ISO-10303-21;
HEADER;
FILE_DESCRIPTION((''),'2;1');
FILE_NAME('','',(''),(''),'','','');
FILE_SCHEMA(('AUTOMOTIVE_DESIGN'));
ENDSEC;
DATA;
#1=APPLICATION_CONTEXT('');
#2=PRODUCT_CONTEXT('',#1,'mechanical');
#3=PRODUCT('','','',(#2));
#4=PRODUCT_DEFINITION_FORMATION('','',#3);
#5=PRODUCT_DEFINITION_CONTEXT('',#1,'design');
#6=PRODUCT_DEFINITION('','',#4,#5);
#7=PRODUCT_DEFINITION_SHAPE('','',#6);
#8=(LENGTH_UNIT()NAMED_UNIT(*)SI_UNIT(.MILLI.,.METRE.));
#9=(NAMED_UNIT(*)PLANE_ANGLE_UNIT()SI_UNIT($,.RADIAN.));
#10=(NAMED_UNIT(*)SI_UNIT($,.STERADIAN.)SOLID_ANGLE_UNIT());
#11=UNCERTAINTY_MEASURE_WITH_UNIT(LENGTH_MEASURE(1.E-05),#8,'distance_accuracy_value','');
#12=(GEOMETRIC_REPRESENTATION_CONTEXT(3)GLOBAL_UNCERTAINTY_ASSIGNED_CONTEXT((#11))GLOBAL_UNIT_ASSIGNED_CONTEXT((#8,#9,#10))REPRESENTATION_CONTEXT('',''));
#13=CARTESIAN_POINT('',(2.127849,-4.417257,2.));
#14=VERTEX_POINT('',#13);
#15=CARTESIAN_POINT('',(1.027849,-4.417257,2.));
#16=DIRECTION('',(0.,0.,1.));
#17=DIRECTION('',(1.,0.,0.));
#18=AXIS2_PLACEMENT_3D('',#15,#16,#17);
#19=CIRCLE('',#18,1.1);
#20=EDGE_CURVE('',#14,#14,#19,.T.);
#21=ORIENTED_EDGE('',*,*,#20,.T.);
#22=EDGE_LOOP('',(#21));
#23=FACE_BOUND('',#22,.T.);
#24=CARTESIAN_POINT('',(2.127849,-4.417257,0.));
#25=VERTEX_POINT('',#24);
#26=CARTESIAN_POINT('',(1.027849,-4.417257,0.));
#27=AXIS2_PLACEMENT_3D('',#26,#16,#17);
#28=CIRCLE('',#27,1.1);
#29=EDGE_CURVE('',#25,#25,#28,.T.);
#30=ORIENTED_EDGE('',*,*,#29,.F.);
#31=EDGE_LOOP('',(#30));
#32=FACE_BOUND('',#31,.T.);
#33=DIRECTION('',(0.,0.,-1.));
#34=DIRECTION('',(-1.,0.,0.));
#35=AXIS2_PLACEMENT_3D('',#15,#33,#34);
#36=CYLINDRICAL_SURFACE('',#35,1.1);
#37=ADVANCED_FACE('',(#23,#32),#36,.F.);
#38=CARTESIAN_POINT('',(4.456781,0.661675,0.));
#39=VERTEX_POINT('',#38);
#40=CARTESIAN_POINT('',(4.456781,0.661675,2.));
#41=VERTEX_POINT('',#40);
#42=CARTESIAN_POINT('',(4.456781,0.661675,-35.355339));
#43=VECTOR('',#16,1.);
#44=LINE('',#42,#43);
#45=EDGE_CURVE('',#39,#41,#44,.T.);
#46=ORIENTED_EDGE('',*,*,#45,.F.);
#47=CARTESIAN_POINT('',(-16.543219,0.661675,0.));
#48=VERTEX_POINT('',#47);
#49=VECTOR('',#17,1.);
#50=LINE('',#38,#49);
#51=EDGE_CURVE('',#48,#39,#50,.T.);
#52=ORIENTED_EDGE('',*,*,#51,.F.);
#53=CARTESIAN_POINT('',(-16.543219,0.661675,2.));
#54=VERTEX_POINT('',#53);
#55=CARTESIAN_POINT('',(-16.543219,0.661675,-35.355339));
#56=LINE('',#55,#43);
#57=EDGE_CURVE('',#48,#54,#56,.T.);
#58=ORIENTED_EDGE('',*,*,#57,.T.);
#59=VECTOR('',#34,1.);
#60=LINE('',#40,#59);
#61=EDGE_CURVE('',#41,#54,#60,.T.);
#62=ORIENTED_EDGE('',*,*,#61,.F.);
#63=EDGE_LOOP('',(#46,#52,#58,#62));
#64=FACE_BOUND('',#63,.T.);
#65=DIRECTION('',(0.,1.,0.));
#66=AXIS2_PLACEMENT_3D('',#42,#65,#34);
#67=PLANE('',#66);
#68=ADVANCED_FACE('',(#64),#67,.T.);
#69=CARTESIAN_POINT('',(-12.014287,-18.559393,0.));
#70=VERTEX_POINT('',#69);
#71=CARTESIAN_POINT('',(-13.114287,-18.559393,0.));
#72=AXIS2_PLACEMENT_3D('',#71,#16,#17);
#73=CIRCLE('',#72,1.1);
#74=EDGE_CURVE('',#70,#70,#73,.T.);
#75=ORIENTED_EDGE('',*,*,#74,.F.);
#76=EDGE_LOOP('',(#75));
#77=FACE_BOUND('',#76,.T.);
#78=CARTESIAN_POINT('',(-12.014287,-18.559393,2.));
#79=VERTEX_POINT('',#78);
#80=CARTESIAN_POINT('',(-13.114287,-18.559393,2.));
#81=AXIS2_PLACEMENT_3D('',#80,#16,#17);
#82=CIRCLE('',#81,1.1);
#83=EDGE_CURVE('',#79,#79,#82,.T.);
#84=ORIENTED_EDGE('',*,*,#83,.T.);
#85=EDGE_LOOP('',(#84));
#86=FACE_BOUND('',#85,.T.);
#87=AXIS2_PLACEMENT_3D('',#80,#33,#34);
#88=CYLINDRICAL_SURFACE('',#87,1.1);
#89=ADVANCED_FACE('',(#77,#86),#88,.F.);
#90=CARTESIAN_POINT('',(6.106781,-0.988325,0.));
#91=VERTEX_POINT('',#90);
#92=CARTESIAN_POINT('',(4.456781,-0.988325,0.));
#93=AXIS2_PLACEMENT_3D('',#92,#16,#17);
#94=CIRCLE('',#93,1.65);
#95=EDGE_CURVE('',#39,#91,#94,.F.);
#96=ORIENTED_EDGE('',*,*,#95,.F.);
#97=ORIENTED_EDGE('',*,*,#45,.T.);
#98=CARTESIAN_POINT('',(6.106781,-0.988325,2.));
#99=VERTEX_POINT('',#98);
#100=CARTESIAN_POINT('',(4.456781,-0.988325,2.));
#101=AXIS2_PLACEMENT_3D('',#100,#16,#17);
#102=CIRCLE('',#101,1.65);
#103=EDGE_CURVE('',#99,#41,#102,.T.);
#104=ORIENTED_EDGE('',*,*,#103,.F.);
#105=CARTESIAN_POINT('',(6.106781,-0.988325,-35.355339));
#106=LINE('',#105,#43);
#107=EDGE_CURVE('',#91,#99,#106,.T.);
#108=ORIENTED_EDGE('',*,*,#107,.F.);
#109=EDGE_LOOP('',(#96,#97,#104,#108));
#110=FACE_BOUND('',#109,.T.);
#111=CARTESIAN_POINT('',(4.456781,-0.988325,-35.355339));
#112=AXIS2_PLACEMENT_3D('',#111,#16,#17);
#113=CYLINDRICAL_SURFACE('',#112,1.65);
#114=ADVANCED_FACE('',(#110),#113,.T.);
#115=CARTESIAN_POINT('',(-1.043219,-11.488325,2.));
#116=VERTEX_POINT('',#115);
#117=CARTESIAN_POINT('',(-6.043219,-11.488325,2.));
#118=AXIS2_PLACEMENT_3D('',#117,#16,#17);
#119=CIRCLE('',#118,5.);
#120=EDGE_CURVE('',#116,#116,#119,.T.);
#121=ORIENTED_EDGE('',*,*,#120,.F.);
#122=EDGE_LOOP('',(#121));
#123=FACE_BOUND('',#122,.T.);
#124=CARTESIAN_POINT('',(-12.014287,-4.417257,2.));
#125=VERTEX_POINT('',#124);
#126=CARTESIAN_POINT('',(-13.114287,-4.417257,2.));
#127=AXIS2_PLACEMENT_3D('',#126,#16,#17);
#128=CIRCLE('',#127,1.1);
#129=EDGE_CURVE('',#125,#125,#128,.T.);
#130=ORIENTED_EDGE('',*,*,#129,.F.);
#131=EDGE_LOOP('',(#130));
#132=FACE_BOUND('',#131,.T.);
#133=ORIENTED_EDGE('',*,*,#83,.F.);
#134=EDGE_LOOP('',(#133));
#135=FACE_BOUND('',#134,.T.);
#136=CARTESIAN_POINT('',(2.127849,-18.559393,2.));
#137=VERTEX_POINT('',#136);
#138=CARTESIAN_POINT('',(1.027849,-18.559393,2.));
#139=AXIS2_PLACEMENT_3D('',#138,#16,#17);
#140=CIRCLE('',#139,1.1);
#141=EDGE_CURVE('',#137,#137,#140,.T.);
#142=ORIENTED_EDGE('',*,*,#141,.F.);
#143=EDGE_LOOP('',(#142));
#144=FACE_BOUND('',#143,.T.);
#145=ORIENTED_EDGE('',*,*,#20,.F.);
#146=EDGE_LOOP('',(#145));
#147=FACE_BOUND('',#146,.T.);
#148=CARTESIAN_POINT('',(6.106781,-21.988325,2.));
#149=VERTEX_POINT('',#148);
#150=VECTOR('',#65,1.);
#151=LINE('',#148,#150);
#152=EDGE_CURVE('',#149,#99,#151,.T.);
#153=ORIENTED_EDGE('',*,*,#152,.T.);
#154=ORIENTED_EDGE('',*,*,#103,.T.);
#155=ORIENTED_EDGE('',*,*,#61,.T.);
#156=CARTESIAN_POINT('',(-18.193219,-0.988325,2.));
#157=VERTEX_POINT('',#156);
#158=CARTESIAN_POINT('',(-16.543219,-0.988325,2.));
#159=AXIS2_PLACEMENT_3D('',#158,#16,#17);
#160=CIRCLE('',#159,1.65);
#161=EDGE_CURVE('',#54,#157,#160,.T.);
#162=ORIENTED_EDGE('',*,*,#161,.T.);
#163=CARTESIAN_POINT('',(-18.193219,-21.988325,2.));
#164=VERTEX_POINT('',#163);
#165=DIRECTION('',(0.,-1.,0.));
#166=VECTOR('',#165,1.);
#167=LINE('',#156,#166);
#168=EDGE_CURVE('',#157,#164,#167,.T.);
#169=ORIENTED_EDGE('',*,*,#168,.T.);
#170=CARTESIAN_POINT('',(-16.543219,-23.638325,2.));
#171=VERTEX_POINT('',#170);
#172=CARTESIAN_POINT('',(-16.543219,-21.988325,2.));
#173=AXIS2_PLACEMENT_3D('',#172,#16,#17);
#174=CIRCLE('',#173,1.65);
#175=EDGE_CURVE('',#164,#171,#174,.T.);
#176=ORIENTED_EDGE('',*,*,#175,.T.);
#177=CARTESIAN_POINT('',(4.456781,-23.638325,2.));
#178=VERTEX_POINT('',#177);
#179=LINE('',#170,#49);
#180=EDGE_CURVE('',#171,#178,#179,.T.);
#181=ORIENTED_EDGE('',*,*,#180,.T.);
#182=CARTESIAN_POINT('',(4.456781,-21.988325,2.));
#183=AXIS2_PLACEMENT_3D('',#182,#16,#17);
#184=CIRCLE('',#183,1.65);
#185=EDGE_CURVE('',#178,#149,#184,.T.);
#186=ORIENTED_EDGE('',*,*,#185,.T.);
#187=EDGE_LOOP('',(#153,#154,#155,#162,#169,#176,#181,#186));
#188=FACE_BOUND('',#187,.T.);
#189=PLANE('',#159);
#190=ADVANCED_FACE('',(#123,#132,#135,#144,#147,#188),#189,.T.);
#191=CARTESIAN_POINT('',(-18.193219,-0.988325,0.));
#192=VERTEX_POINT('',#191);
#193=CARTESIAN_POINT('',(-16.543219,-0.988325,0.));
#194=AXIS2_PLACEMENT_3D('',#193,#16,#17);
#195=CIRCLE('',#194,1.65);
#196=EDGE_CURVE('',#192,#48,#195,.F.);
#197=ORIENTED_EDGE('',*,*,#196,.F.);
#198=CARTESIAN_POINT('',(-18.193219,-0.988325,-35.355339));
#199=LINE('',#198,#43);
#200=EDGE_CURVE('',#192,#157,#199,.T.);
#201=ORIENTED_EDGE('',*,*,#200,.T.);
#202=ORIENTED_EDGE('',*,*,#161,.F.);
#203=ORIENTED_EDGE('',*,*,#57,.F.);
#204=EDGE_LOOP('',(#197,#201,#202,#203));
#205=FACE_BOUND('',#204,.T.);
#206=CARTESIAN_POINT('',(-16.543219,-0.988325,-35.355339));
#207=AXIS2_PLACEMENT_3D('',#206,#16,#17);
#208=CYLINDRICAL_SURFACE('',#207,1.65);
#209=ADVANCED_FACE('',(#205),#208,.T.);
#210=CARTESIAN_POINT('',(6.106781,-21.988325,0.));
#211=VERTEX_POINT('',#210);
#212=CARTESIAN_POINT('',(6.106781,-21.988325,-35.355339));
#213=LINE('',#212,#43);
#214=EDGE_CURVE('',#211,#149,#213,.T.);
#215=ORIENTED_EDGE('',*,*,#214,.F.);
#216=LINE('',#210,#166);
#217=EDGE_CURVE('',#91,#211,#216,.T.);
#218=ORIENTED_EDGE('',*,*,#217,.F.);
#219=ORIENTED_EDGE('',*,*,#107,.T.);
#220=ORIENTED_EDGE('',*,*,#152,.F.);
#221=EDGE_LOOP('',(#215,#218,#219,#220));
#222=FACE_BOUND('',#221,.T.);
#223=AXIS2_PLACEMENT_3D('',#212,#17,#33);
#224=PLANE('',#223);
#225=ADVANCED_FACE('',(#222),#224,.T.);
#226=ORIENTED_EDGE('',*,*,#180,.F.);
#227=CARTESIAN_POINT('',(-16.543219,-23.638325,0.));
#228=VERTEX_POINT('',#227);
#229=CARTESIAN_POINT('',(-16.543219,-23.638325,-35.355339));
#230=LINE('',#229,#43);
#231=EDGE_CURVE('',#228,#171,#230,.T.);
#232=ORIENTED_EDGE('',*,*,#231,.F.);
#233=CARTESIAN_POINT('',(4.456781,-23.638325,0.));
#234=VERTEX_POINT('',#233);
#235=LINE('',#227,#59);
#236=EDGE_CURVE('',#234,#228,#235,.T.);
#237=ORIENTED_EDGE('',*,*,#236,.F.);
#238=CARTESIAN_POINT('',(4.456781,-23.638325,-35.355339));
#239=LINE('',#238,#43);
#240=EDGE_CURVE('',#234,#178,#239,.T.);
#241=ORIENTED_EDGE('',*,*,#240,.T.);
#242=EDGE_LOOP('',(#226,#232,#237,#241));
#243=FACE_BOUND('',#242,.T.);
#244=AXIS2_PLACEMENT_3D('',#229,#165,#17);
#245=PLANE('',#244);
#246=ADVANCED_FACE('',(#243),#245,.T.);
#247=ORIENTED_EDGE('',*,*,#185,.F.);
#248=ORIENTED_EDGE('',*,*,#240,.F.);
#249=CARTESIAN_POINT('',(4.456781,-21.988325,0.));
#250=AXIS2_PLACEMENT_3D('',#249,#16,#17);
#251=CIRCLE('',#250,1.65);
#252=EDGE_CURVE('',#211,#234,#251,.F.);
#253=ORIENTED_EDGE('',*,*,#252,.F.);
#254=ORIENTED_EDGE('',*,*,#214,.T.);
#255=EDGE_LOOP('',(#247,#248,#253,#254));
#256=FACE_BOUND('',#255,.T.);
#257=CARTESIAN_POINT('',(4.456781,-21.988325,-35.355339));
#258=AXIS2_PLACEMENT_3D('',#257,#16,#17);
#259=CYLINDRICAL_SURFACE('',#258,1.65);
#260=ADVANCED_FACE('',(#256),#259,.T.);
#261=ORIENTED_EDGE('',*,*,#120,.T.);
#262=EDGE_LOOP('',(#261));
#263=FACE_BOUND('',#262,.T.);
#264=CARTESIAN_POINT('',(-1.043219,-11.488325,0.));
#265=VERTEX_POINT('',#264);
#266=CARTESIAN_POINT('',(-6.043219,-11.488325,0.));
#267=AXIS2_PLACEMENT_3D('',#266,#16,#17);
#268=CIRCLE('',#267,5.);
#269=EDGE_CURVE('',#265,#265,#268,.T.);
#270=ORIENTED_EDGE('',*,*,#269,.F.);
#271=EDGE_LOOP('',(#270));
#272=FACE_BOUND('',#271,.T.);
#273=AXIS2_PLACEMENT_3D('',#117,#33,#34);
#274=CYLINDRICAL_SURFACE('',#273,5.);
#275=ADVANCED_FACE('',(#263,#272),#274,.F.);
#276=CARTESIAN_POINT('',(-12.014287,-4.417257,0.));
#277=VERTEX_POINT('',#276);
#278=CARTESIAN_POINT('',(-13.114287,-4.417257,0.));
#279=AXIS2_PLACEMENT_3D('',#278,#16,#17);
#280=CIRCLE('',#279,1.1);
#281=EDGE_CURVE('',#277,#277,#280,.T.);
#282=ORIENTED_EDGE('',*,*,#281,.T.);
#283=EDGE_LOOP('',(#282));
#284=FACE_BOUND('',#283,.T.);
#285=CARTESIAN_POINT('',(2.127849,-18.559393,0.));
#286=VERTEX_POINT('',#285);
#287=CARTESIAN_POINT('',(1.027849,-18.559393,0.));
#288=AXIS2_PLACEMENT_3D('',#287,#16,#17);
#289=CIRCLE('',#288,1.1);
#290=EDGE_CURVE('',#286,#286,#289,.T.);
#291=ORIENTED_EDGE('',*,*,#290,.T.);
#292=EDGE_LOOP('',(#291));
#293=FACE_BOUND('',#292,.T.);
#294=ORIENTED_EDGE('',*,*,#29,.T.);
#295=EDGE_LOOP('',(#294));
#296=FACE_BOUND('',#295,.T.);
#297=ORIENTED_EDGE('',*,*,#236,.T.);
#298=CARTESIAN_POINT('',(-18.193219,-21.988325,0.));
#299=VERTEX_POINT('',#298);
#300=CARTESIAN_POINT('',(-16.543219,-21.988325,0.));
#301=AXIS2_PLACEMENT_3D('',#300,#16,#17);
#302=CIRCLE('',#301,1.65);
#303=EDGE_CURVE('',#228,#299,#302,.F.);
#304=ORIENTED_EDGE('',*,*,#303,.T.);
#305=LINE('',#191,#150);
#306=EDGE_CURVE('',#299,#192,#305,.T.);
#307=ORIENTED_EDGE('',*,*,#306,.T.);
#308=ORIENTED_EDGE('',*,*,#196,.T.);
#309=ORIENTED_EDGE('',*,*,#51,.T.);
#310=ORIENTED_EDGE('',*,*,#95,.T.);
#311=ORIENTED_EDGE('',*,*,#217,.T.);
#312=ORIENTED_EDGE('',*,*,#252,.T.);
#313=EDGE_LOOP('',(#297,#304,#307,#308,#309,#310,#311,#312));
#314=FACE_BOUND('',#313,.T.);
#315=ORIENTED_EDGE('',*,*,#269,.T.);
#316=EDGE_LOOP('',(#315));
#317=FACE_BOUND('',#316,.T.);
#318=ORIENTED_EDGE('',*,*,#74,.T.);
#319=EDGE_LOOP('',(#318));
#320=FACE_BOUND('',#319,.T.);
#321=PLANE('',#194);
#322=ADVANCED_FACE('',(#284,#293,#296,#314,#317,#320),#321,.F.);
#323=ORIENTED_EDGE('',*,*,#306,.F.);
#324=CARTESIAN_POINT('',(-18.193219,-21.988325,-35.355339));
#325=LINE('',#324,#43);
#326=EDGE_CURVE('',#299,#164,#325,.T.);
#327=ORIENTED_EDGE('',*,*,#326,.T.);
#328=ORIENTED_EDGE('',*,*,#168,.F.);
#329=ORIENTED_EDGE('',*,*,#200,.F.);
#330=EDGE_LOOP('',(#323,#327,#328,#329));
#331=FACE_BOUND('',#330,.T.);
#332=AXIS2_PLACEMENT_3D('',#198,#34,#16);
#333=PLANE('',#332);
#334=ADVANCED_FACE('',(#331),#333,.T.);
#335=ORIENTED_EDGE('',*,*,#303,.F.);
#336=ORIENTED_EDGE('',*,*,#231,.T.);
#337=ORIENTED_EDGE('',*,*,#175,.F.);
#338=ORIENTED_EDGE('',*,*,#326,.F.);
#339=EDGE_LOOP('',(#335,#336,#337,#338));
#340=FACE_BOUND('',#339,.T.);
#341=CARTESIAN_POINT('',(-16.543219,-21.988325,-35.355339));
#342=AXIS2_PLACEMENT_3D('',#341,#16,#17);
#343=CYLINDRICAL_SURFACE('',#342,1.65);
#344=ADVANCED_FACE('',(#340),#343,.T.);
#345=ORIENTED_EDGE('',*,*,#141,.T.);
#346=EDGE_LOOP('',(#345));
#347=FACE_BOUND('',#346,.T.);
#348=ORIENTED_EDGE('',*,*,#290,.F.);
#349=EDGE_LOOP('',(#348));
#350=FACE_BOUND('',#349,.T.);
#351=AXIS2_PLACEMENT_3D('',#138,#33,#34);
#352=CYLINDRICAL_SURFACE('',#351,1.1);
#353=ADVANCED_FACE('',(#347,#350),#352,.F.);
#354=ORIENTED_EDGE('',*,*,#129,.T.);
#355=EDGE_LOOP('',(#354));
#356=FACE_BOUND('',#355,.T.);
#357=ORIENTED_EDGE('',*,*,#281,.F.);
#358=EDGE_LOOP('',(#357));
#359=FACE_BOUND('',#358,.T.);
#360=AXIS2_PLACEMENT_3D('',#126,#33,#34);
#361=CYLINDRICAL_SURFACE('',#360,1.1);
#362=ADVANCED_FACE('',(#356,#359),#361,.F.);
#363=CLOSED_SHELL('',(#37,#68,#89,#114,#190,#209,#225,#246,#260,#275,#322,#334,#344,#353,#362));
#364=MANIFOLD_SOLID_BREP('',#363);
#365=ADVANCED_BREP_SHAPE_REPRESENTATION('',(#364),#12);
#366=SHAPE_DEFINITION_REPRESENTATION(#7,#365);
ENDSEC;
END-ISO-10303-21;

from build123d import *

# Parameters (mm, degrees)
CROQUIS1_R              = 5
CROQUIS1_R_2            = 1.1
SALIENTE_EXTRUIR1_DEPTH = 2
CORTAR_EXTRUIR1_START   = -2
CORTAR_EXTRUIR1_DEPTH   = 2


with BuildPart() as part:
    # Croquis1 → Saliente-Extruir1 (new body)
    with BuildSketch(Plane.XY):
        with BuildLine():
            Line((-18.543218985, -0.988325299), (-18.543218985, -21.988325299))
            ThreePointArc((-18.543218985, -21.988325299), (-17.957432547, -23.402538861), (-16.543218985, -23.988325299))
            Line((-16.543218985, -23.988325299), (4.456781015, -23.988325299))
            ThreePointArc((4.456781015, -23.988325299), (5.870994578, -23.402538861), (6.456781015, -21.988325299))
            Line((6.456781015, -21.988325299), (6.456781015, -0.988325299))
            ThreePointArc((6.456781015, -0.988325299), (5.870994578, 0.425888264), (4.456781015, 1.011674701))
            Line((4.456781015, 1.011674701), (-16.543218985, 1.011674701))
            ThreePointArc((-16.543218985, 1.011674701), (-17.957432547, 0.425888264), (-18.543218985, -0.988325299))
        make_face()
        with Locations((-6.043218985, -11.488325299)):
            Circle(CROQUIS1_R, mode=Mode.SUBTRACT)
        with Locations((-13.114286796, -4.417257487)):
            Circle(CROQUIS1_R_2, mode=Mode.SUBTRACT)
        with Locations((1.027848827, -4.417257487)):
            Circle(CROQUIS1_R_2, mode=Mode.SUBTRACT)
        with Locations((-13.114286796, -18.559393111)):
            Circle(CROQUIS1_R_2, mode=Mode.SUBTRACT)
        with Locations((1.027848827, -18.559393111)):
            Circle(CROQUIS1_R_2, mode=Mode.SUBTRACT)
    extrude(amount=SALIENTE_EXTRUIR1_DEPTH)

    # Croquis2 → Cortar-Extruir1 (cut)
    with BuildSketch(Plane.XY.offset(2).offset(CORTAR_EXTRUIR1_START)):
        with BuildLine():
            Line((4.456781015, 1.011674701), (-16.543218985, 1.011674701))
            ThreePointArc((-16.543218985, 1.011674701), (-17.957432547, 0.425888264), (-18.543218985, -0.988325299))
            Line((-18.543218985, -0.988325299), (-18.543218985, -21.988325299))
            ThreePointArc((-18.543218985, -21.988325299), (-17.957432547, -23.402538861), (-16.543218985, -23.988325299))
            Line((-16.543218985, -23.988325299), (4.456781015, -23.988325299))
            ThreePointArc((4.456781015, -23.988325299), (5.870994578, -23.402538861), (6.456781015, -21.988325299))
            Line((6.456781015, -21.988325299), (6.456781015, -0.988325299))
            ThreePointArc((6.456781015, -0.988325299), (5.870994578, 0.425888264), (4.456781015, 1.011674701))
        make_face()
        with BuildLine():
            Line((-18.193218985, -0.988325299), (-18.193218985, -21.988325299))
            ThreePointArc((-18.193218985, -21.988325299), (-17.709945174, -23.155051488), (-16.543218985, -23.638325299))
            Line((-16.543218985, -23.638325299), (4.456781015, -23.638325299))
            ThreePointArc((4.456781015, -23.638325299), (5.623507204, -23.155051488), (6.106781015, -21.988325299))
            Line((6.106781015, -21.988325299), (6.106781015, -0.988325299))
            ThreePointArc((6.106781015, -0.988325299), (5.623507204, 0.17840089), (4.456781015, 0.661674701))
            Line((4.456781015, 0.661674701), (-16.543218985, 0.661674701))
            ThreePointArc((-16.543218985, 0.661674701), (-17.709945174, 0.17840089), (-18.193218985, -0.988325299))
        make_face(mode=Mode.SUBTRACT)
    extrude(amount=CORTAR_EXTRUIR1_DEPTH, mode=Mode.SUBTRACT)


solid = part.part
